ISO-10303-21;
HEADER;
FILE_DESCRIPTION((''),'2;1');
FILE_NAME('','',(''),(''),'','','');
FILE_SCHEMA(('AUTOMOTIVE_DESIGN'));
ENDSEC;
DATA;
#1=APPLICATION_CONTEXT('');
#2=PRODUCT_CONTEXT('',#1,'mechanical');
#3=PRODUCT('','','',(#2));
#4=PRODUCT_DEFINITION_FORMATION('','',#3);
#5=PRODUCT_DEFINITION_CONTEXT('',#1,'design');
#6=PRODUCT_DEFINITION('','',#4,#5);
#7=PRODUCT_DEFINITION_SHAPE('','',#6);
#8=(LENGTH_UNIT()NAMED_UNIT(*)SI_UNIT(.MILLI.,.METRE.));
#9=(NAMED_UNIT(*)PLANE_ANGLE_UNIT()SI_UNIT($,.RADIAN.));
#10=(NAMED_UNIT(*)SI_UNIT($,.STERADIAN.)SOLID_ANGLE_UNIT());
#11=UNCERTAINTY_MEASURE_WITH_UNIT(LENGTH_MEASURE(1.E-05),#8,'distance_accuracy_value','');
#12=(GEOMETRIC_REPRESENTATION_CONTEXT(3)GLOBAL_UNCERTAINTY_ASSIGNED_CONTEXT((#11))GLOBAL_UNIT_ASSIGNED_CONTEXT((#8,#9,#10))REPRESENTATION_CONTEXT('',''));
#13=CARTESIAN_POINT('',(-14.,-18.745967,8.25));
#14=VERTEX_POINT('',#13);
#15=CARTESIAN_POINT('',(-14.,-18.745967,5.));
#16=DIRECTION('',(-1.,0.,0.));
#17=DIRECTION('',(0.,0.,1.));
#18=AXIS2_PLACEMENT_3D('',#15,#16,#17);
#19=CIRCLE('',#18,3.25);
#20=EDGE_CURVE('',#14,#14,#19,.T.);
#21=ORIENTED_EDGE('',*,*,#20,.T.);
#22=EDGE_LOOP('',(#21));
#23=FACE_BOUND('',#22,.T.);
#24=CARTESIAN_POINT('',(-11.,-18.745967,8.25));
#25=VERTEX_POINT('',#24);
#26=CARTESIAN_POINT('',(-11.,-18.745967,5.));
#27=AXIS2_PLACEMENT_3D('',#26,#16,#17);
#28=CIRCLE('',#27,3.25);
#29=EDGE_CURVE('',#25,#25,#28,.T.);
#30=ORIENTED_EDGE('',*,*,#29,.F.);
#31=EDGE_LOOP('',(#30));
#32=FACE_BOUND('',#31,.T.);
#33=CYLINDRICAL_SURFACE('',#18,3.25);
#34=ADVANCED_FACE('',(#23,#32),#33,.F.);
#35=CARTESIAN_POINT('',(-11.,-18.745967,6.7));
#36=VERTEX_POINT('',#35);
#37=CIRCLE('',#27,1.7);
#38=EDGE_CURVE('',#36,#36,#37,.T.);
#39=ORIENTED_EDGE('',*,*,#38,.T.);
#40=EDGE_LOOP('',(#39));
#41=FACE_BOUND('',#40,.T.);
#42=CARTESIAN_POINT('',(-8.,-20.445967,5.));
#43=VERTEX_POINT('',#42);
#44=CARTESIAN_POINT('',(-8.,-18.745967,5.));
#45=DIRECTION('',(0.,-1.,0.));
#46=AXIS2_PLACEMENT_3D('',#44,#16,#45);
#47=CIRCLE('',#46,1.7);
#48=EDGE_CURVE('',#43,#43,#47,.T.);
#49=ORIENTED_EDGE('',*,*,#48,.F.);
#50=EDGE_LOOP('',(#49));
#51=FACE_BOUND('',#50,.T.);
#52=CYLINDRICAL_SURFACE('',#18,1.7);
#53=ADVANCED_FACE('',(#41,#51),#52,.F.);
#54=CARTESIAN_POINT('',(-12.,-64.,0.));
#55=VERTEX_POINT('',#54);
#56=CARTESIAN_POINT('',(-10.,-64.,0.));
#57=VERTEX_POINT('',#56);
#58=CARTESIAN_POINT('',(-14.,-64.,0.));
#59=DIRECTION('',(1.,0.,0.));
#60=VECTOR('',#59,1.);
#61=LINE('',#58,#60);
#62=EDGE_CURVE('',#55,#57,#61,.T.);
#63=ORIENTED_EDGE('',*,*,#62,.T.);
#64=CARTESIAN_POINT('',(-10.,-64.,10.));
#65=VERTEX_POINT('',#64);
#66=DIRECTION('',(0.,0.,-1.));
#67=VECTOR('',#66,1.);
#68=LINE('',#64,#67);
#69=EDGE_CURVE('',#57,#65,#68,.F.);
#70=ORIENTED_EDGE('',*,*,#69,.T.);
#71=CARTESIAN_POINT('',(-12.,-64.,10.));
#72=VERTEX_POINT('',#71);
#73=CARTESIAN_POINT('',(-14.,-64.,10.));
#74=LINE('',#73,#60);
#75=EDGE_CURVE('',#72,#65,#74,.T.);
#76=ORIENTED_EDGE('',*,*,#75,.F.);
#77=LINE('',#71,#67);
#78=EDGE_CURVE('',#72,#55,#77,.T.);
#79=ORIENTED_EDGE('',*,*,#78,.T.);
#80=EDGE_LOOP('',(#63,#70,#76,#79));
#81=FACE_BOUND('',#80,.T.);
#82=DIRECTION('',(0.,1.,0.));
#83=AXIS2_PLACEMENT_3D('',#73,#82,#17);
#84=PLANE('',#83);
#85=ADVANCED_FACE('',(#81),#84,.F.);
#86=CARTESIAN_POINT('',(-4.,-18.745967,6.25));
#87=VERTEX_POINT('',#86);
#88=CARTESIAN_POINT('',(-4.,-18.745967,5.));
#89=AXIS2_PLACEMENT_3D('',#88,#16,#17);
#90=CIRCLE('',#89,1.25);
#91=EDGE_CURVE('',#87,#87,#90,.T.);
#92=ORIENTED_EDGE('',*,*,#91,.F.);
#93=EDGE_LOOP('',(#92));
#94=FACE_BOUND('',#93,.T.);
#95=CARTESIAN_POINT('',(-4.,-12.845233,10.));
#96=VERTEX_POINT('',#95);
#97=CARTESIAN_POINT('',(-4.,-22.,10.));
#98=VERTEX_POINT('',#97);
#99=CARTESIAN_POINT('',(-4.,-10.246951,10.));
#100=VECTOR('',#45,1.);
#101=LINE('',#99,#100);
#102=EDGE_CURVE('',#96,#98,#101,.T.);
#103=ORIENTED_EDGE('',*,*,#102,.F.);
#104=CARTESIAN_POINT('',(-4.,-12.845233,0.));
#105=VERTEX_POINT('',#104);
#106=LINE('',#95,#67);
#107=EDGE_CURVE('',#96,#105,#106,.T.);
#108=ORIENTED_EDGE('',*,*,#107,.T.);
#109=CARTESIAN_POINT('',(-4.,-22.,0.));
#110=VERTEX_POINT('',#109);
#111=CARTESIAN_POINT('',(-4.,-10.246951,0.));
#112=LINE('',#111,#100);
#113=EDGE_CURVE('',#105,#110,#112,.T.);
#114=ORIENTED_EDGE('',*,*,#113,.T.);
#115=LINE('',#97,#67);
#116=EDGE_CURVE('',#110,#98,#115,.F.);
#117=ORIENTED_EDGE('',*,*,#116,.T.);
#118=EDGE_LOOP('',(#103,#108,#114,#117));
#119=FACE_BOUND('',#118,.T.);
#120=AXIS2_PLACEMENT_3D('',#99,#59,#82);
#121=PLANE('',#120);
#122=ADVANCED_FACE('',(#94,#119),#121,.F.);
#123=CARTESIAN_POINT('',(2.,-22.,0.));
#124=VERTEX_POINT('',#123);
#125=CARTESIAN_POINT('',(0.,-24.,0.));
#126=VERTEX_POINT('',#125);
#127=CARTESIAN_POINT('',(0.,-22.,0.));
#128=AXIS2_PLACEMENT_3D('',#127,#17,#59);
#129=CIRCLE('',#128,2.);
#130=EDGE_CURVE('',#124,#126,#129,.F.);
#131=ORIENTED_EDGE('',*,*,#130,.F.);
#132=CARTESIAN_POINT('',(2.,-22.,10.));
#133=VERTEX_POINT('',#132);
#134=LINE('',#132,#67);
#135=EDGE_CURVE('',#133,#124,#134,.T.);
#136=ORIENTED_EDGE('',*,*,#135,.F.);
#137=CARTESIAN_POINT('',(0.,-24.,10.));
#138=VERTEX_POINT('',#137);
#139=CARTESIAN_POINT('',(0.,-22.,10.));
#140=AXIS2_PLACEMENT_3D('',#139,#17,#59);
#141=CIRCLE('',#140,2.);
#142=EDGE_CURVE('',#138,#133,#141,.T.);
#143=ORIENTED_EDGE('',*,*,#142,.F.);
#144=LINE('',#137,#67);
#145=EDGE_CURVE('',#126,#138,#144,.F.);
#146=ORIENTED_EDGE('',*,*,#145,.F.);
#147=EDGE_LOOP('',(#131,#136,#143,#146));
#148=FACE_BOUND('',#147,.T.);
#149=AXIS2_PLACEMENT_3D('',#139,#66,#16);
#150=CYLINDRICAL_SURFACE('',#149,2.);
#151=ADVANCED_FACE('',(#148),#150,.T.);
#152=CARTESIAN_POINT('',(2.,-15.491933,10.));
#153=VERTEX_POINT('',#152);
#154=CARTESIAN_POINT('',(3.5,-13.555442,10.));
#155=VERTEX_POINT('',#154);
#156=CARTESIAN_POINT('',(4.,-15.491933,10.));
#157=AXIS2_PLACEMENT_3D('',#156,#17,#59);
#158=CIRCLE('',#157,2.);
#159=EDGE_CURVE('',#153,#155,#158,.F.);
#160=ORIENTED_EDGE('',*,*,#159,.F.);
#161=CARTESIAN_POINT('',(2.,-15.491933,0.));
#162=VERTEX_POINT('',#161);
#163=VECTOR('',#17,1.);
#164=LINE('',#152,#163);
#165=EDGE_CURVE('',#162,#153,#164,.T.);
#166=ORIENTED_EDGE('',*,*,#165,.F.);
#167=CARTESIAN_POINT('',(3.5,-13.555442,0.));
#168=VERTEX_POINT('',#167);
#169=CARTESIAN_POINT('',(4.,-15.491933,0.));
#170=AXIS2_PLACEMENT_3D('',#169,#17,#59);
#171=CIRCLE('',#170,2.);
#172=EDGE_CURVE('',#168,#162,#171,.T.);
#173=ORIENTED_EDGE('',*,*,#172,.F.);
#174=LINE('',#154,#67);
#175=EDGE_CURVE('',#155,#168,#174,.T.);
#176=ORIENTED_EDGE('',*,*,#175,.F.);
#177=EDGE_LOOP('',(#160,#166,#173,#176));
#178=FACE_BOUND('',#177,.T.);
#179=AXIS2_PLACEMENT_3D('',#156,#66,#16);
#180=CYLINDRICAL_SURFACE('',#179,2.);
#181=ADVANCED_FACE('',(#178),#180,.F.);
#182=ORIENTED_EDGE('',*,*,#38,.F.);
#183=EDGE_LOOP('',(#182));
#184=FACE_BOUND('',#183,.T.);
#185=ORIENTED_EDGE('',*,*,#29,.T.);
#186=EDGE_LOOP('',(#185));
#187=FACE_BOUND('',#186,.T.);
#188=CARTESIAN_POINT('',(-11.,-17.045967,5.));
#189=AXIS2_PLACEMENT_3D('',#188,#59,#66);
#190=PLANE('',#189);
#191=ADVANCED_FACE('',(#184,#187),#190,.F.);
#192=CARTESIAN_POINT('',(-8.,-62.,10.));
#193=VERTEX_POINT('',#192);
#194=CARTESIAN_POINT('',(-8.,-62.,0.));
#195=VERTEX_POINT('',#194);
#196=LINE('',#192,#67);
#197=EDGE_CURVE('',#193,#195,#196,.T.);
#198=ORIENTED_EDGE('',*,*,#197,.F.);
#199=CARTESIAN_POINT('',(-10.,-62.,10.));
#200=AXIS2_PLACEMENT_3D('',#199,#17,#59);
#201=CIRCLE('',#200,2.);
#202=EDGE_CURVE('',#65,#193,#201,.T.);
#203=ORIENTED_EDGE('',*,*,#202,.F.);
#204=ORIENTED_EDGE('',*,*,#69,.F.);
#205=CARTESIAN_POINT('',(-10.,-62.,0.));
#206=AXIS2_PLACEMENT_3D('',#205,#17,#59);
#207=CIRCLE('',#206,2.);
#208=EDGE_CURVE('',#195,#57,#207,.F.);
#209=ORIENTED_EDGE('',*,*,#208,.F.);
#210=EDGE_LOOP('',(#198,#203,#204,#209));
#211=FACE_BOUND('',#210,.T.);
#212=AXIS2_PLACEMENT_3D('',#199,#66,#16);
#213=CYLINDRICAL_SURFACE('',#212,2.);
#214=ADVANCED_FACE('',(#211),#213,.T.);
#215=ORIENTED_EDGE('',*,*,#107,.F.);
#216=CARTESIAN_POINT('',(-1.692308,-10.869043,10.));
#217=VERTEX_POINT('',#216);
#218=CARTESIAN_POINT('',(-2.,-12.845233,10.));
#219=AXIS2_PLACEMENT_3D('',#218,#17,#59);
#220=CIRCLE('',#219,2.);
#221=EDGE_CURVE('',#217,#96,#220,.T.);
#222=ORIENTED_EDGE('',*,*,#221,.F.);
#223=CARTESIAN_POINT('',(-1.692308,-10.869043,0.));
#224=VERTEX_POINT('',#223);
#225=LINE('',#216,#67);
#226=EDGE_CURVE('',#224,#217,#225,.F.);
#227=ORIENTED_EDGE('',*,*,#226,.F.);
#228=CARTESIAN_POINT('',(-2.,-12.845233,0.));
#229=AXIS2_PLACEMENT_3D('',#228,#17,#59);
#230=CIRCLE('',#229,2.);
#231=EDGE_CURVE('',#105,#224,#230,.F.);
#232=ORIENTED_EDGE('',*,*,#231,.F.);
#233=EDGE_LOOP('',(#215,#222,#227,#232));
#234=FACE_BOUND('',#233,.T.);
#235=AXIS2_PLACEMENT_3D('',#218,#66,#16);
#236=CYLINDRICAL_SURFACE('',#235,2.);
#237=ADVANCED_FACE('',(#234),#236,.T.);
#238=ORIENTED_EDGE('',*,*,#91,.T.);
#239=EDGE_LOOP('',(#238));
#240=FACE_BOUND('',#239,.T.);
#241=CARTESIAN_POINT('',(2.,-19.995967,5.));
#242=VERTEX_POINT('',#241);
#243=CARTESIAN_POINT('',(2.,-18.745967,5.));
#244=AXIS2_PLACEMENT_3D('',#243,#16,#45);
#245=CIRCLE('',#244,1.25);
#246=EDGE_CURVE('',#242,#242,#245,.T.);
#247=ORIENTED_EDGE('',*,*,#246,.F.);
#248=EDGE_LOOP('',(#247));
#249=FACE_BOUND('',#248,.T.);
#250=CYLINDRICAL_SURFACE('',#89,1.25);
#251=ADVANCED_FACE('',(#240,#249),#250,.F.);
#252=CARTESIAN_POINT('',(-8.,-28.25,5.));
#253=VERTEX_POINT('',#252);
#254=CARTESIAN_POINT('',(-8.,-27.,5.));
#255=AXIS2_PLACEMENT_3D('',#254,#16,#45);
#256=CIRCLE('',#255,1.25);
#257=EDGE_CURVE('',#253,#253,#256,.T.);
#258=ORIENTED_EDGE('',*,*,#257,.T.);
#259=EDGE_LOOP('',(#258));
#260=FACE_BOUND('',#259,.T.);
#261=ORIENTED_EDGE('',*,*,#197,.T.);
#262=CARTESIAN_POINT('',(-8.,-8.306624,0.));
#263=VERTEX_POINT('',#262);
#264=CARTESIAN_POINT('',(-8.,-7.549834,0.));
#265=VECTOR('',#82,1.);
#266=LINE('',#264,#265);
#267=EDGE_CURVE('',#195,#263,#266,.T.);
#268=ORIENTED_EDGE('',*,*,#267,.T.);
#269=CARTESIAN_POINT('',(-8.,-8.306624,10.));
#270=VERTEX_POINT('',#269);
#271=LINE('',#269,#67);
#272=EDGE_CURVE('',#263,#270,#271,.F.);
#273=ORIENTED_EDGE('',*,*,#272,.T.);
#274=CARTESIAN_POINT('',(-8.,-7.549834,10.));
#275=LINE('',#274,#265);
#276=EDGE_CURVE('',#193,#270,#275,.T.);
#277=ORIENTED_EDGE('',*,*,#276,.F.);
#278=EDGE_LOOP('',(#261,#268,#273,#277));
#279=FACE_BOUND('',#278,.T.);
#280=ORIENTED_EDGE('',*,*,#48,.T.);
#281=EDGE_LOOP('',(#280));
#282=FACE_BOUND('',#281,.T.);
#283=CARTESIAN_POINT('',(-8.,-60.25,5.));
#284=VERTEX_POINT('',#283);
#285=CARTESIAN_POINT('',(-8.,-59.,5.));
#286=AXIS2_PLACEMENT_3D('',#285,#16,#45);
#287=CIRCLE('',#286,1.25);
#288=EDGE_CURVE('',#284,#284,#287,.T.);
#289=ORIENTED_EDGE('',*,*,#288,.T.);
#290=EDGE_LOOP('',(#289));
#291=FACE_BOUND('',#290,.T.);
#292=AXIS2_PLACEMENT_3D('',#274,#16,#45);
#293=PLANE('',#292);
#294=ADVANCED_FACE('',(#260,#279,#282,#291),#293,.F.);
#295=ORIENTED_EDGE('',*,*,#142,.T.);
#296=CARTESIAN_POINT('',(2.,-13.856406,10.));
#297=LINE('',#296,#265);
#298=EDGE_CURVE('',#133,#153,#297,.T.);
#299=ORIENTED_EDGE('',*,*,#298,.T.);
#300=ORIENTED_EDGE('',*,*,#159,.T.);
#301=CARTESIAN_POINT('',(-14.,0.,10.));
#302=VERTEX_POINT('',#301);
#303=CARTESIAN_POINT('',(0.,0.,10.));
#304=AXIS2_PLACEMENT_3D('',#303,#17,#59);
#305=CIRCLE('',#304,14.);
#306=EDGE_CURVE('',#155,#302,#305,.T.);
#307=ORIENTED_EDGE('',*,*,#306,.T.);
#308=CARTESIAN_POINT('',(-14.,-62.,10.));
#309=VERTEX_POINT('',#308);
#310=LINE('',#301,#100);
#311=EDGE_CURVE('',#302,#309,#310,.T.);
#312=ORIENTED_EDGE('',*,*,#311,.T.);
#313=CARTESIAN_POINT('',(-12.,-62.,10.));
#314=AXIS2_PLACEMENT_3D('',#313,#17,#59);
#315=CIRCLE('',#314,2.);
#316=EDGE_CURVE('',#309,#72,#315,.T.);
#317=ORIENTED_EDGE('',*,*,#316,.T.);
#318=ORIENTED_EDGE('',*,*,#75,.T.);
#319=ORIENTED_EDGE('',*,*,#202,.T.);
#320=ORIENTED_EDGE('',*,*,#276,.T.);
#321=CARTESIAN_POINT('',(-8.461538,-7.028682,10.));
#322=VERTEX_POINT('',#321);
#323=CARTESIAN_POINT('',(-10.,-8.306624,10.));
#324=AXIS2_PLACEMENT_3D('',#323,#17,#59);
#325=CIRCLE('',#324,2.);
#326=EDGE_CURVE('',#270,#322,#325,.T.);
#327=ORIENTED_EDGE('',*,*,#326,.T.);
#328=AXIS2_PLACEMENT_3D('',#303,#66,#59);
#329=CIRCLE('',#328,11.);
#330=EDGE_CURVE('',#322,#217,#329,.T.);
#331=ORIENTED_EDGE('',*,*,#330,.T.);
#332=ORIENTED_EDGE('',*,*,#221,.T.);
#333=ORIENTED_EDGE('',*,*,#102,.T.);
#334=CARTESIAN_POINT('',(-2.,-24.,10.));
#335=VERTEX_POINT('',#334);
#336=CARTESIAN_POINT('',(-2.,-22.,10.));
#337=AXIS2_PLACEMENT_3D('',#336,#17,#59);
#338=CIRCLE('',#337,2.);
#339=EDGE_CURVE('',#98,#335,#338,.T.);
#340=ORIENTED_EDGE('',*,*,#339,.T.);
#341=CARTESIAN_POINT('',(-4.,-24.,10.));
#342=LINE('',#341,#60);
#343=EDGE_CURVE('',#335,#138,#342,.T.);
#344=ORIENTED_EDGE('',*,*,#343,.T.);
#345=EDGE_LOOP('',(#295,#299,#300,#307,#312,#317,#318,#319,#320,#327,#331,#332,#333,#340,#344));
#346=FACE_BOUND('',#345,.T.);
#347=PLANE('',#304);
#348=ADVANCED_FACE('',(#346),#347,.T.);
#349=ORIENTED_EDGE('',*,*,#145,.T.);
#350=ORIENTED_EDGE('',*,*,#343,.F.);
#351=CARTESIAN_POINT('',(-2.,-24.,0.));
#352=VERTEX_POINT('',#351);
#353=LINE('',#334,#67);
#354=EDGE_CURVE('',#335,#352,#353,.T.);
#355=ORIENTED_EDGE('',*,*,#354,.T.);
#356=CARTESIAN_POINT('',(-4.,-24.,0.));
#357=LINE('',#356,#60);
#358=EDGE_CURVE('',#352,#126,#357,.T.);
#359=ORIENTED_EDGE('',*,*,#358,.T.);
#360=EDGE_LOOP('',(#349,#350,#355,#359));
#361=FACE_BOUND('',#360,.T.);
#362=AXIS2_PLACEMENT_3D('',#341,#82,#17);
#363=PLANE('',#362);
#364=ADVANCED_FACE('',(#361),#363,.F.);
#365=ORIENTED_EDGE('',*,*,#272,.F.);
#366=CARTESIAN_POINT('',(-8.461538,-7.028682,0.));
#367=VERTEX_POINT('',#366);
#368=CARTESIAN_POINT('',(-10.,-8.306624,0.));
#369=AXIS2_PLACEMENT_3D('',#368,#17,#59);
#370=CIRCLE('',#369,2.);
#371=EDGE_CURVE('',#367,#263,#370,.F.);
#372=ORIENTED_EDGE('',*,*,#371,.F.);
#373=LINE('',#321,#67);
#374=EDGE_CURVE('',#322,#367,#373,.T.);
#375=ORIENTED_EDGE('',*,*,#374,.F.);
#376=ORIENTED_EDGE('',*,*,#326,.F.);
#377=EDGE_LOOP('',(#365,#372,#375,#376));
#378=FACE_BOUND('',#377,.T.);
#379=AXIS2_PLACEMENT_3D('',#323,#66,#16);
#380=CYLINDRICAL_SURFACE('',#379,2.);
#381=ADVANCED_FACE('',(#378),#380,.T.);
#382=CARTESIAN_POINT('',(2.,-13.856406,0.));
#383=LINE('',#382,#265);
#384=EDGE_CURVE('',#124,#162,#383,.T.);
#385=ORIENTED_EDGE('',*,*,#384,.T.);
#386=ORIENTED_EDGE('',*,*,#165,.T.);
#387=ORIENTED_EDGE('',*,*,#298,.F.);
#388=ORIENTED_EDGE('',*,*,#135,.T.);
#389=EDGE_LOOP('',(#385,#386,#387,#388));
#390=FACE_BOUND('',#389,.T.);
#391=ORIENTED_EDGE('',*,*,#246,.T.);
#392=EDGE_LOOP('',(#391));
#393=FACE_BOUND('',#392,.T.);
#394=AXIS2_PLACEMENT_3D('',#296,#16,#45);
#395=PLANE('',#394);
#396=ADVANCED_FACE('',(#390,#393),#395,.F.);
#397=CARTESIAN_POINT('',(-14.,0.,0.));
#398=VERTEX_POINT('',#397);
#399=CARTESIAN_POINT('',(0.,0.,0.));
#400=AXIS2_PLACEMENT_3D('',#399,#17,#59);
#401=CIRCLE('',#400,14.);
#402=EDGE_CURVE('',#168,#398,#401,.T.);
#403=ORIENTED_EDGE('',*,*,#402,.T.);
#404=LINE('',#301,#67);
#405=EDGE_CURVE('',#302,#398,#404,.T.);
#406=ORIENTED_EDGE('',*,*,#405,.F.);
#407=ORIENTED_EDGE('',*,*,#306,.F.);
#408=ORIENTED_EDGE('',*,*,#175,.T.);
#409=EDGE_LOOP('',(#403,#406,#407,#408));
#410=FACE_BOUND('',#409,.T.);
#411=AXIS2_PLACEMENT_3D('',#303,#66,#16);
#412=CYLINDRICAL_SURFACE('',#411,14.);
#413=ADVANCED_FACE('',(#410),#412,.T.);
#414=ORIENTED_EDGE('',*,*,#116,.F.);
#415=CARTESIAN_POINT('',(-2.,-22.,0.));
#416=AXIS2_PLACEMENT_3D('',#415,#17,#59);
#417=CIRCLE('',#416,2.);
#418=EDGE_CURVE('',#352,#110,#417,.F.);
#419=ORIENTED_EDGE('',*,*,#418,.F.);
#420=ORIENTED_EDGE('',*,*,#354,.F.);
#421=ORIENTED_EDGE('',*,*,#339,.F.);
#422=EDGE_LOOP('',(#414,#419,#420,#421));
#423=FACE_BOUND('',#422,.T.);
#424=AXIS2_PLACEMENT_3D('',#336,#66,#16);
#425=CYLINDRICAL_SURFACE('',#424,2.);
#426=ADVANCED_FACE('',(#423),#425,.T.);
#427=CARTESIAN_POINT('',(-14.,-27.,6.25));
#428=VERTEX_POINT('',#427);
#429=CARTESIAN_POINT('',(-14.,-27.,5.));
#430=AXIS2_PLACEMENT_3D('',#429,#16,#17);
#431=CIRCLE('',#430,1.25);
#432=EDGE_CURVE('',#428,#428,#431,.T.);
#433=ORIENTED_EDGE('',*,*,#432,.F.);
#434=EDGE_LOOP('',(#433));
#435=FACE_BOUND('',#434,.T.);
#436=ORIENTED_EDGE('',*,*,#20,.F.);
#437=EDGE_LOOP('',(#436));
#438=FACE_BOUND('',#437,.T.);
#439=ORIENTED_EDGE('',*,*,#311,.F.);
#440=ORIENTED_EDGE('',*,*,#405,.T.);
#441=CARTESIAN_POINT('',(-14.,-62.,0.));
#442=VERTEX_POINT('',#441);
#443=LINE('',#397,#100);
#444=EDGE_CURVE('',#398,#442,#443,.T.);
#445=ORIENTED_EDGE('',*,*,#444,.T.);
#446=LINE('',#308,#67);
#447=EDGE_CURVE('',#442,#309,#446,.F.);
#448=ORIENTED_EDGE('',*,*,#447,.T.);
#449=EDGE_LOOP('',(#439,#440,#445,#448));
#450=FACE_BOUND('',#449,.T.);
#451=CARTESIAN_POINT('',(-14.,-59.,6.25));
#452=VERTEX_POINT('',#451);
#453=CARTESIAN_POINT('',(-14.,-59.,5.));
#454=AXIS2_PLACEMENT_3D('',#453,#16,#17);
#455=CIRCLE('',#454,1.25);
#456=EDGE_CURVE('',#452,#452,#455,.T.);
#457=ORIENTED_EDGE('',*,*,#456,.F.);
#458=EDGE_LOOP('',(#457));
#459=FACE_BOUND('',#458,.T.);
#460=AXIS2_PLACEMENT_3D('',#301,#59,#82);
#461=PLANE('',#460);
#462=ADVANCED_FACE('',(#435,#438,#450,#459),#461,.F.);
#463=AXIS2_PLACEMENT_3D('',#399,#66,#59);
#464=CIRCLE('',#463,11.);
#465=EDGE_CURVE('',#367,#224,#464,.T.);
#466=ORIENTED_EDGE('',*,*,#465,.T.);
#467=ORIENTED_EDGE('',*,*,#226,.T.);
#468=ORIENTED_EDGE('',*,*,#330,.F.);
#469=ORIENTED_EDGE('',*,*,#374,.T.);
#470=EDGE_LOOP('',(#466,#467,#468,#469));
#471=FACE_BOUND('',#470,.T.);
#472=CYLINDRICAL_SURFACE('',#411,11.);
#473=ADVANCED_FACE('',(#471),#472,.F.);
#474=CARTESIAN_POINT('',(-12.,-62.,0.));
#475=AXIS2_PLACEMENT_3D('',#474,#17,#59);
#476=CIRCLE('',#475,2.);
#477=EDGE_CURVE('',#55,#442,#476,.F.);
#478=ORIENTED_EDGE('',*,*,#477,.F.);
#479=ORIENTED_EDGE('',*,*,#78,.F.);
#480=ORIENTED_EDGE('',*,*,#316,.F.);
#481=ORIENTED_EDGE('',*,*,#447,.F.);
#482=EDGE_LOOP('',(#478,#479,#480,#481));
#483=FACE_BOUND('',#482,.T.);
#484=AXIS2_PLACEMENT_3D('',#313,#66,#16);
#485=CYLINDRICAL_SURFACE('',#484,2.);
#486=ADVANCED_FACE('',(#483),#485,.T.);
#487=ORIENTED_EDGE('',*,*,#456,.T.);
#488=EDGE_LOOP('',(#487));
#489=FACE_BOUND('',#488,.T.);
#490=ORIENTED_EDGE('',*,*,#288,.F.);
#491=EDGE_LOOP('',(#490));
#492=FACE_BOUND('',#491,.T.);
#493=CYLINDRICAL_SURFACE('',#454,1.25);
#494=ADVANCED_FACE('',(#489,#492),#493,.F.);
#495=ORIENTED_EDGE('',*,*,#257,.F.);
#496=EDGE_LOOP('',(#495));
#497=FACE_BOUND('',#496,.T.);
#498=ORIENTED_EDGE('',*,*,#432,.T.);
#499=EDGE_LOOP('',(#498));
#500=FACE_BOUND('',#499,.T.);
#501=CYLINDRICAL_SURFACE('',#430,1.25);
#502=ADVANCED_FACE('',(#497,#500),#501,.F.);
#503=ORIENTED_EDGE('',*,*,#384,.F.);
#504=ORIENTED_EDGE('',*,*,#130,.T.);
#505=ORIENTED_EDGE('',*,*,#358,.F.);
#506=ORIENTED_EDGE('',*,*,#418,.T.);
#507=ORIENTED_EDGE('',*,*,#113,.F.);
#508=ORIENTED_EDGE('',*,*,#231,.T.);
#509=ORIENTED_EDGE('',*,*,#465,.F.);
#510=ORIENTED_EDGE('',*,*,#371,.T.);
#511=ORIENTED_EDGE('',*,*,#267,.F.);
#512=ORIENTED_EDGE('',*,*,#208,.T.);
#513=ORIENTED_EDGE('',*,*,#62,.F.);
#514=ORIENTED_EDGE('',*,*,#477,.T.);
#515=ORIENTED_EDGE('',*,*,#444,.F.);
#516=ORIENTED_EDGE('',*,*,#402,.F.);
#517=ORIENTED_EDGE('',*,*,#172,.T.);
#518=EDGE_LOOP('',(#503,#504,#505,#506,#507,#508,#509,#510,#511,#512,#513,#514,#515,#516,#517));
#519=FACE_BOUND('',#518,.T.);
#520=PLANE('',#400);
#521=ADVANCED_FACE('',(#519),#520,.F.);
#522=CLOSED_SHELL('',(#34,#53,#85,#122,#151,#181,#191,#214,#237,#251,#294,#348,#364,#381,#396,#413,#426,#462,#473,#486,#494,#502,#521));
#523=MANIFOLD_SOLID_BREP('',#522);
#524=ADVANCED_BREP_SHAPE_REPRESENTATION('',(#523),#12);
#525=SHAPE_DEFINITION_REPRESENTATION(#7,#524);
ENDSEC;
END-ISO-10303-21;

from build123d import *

# Parameters (mm, degrees)
EXTRUDE_1_DEPTH             = 10
FILLET_1_R                  = 2
HOLE_WIZARD_M31_D           = 3.4
HOLE_WIZARD_M31_DEPTH       = 6
HOLE_WIZARD_M31_CBORE_D     = 6.5
HOLE_WIZARD_M31_CBORE_DEPTH = 3
M3X0_51_D                   = 2.5
M3X0_51_DEPTH               = 6
M3X0_52_D                   = 2.5


with BuildPart() as part:
    # Эскиз1 → Бобышка-Вытянуть1 (new body)
    with BuildSketch(Plane.XY):
        with BuildLine():
            Line((-14, 0), (-14, -64))
            Line((-14, -64), (-8, -64))
            Line((-8, -64), (-8, -7.549834435))
            ThreePointArc((-8, -7.549834435), (6.149683661, 9.120383264), (-4, -10.246950766))
            Line((-4, -10.246950766), (-4, -24))
            Line((-4, -24), (2, -24))
            Line((2, -24), (2, -13.856406461))
            ThreePointArc((2, -13.856406461), (9.16515139, 10.583005244), (-14, 0))
        make_face()
    extrude(amount=EXTRUDE_1_DEPTH)

    # Скругление1
    fillet_1_edges = [part.edges().sort_by_distance(p)[0] for p in [
        (2, -13.856406461, 5),
        (2, -24, 5),
        (-4, -24, 5),
        (-4, -10.246950766, 5),
        (-8, -7.549834435, 5),
        (-8, -64, 5),
        (-14, -64, 5),
    ]]
    fillet(fillet_1_edges, radius=FILLET_1_R)

    # Цековка для винта с внутренним шестигранником M31
    with Locations(Plane.ZY.offset(14)):
        with Locations((5, -18.745966692)):
            CounterBoreHole(HOLE_WIZARD_M31_D / 2, HOLE_WIZARD_M31_CBORE_D / 2, HOLE_WIZARD_M31_CBORE_DEPTH, depth=HOLE_WIZARD_M31_DEPTH)

    # Отверстие обработанное метчиком M3x0.51
    with Locations(Plane.ZY.offset(4)):
        with Locations((5, -18.745966692)):
            Hole(M3X0_51_D / 2, depth=M3X0_51_DEPTH)

    # Отверстие обработанное метчиком M3x0.52 (through all)
    with Locations(Plane.ZY.offset(14)):
        with Locations((5, -27), (5, -59)):
            Hole(M3X0_52_D / 2)


solid = part.part
